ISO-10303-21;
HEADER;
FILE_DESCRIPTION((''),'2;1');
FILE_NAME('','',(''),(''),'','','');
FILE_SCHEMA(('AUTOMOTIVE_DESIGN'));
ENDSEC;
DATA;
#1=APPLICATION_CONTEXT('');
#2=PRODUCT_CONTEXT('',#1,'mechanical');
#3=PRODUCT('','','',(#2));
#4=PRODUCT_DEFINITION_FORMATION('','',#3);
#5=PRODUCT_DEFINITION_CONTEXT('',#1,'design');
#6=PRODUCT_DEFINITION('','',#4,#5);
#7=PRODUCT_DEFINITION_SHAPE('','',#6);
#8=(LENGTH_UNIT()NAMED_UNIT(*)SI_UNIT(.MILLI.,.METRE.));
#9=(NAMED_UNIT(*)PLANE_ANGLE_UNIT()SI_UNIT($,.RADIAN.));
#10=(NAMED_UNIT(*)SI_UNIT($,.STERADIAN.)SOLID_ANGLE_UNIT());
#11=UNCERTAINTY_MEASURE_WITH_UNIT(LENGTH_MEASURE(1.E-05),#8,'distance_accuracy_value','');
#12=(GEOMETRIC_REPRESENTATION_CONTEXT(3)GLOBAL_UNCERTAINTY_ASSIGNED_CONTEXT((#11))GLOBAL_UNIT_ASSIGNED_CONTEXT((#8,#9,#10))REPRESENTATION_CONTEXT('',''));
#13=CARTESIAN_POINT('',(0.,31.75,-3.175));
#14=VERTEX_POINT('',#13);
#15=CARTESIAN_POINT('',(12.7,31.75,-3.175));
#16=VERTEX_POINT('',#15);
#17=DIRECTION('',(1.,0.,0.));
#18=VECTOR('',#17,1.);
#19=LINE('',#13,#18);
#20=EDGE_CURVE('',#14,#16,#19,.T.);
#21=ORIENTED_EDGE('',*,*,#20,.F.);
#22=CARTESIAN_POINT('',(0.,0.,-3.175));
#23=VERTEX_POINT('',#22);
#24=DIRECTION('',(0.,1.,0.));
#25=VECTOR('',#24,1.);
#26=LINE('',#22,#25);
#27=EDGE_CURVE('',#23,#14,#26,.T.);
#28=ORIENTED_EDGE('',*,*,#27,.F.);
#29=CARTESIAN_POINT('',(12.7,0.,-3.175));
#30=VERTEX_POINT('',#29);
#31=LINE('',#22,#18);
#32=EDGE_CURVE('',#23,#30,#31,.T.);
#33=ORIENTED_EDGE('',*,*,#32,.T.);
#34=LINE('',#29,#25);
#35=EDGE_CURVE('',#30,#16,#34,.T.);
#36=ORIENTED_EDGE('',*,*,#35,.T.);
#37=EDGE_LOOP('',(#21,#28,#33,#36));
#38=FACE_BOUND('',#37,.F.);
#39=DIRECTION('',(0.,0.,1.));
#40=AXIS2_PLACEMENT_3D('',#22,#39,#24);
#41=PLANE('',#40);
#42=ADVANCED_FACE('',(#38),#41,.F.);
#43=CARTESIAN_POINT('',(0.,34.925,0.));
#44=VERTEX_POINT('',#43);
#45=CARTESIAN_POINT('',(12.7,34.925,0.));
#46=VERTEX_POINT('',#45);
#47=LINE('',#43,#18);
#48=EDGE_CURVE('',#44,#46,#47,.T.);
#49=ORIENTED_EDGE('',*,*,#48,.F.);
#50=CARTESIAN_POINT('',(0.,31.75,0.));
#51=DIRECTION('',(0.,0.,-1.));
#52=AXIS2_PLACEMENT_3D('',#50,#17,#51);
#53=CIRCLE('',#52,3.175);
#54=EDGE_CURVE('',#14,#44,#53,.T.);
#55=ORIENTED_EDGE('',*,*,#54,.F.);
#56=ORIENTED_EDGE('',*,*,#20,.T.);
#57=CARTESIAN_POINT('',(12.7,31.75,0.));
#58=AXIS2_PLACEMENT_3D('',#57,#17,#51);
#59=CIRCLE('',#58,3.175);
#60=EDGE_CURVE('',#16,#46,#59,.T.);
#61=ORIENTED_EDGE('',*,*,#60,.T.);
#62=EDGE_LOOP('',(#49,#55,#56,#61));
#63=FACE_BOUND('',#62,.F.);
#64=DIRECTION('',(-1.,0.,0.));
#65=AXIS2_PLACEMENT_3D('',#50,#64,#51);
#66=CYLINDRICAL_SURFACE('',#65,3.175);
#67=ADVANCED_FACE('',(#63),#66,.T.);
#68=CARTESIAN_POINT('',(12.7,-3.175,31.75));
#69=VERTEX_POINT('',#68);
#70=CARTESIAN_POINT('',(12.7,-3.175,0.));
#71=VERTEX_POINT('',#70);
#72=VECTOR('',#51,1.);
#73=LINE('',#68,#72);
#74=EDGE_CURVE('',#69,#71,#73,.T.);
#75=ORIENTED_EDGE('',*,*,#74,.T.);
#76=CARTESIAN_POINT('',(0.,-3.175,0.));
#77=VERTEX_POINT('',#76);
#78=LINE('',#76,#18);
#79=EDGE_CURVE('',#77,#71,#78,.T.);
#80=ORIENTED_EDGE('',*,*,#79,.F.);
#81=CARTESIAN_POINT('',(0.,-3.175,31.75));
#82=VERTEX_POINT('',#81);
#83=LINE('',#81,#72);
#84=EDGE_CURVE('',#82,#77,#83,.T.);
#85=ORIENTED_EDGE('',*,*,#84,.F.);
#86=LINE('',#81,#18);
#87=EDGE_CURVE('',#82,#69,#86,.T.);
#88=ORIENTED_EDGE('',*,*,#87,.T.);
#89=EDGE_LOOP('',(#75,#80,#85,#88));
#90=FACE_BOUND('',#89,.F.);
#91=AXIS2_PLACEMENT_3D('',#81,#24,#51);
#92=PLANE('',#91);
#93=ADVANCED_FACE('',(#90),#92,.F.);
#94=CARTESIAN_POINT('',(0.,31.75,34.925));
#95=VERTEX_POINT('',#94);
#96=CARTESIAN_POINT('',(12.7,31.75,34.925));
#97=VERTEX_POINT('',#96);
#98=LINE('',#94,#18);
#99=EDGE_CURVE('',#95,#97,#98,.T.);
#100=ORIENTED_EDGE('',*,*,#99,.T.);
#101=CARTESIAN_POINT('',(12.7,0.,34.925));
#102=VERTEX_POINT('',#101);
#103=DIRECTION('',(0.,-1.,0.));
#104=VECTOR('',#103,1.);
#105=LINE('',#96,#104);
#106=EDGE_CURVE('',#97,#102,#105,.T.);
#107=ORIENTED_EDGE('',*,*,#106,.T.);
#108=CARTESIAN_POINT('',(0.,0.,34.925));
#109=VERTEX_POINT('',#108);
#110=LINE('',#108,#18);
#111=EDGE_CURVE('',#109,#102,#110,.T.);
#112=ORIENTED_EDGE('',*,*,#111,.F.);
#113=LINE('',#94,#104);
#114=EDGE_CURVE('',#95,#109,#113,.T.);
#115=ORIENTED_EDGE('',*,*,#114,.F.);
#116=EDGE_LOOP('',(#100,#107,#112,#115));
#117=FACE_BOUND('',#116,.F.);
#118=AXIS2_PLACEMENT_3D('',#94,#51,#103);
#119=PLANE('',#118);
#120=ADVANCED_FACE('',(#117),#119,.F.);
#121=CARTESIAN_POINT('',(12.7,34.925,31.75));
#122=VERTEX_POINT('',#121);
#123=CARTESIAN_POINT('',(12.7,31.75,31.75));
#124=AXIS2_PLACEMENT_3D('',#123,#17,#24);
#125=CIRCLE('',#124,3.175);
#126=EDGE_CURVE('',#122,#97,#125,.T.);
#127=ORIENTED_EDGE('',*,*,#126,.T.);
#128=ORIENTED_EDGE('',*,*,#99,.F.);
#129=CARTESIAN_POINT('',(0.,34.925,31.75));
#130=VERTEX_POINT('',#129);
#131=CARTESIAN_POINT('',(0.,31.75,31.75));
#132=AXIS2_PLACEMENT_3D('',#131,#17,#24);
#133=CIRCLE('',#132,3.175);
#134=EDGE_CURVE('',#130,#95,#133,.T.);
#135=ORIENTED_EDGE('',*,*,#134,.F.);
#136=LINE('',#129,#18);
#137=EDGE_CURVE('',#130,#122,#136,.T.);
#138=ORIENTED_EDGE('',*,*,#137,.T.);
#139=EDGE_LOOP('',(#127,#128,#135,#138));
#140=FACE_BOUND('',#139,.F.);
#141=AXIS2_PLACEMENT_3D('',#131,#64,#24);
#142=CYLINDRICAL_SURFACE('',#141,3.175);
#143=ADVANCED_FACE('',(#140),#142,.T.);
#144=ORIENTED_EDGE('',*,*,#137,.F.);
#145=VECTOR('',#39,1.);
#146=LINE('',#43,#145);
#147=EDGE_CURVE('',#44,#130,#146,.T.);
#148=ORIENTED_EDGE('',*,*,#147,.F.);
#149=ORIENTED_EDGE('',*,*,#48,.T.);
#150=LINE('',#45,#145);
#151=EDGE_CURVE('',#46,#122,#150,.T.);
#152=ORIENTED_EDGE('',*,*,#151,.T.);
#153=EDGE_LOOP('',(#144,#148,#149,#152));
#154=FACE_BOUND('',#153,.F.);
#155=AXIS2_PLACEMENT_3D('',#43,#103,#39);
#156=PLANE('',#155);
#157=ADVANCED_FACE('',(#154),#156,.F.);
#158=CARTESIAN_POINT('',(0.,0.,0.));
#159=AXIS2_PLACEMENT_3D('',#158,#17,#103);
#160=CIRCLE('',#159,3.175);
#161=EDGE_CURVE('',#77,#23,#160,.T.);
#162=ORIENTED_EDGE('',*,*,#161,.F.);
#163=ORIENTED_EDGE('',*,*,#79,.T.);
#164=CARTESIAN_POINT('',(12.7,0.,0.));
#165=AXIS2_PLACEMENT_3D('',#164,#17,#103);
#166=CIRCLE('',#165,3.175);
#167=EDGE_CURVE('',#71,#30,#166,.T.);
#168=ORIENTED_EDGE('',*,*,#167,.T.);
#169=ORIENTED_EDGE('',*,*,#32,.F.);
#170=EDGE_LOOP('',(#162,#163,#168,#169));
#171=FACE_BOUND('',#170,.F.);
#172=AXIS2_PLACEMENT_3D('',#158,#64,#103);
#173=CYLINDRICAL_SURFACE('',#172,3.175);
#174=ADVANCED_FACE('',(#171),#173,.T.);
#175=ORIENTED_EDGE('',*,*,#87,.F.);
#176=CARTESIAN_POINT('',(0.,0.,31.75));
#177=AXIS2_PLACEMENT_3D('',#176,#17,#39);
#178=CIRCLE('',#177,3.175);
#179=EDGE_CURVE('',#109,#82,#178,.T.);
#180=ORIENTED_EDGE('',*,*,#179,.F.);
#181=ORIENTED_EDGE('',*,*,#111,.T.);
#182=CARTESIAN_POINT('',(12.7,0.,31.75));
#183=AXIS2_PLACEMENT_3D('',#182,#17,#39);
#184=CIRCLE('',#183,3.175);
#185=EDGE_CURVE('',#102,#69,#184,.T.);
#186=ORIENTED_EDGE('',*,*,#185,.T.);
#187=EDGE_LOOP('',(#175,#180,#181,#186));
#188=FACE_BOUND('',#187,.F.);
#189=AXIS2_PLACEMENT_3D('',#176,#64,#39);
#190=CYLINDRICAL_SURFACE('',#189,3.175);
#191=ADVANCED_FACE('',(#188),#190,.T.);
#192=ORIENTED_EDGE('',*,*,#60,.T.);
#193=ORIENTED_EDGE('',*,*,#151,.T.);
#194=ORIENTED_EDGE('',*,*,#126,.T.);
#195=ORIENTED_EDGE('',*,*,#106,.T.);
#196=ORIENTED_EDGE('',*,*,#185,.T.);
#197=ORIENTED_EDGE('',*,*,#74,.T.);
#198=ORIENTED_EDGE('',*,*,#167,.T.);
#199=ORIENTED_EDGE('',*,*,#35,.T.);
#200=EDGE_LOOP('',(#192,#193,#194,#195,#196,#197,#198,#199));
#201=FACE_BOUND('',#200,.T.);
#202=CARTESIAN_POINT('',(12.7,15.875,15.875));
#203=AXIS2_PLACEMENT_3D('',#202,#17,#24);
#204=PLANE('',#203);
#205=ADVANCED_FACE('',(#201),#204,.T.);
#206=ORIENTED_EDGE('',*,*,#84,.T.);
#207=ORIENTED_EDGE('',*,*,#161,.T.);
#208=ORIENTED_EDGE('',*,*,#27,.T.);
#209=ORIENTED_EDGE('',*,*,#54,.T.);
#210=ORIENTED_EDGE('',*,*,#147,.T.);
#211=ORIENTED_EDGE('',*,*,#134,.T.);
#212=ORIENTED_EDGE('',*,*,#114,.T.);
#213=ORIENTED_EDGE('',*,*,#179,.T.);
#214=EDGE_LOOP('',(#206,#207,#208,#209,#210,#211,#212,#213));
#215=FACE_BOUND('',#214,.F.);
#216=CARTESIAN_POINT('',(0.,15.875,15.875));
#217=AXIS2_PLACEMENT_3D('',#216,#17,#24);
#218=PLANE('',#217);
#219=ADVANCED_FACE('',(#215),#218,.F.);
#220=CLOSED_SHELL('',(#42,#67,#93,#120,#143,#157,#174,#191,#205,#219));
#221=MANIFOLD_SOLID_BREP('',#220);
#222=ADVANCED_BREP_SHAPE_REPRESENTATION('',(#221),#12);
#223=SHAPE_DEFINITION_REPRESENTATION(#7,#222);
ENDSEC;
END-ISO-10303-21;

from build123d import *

# Parameters (mm, degrees)
F1_DEPTH = 12.7


with BuildPart() as f1:
    # F0 (on Right) → F1 (new body)
    with BuildSketch(Plane.YZ):
        with BuildLine():
            ThreePointArc((31.75, -3.175), (33.9950640303, -2.2450640303), (34.925, 0))
            Line((34.925, 0), (34.925, 31.75))
            ThreePointArc((34.925, 31.75), (33.9950640303, 33.9950640303), (31.75, 34.925))
            Line((31.75, 34.925), (0, 34.925))
            ThreePointArc((0, 34.925), (-2.2450640303, 33.9950640303), (-3.175, 31.75))
            Line((-3.175, 31.75), (-3.175, 0))
            ThreePointArc((-3.175, 0), (-2.2450640303, -2.2450640303), (0, -3.175))
            Line((0, -3.175), (31.75, -3.175))
        make_face()
    extrude(amount=F1_DEPTH)


solid = f1.part
